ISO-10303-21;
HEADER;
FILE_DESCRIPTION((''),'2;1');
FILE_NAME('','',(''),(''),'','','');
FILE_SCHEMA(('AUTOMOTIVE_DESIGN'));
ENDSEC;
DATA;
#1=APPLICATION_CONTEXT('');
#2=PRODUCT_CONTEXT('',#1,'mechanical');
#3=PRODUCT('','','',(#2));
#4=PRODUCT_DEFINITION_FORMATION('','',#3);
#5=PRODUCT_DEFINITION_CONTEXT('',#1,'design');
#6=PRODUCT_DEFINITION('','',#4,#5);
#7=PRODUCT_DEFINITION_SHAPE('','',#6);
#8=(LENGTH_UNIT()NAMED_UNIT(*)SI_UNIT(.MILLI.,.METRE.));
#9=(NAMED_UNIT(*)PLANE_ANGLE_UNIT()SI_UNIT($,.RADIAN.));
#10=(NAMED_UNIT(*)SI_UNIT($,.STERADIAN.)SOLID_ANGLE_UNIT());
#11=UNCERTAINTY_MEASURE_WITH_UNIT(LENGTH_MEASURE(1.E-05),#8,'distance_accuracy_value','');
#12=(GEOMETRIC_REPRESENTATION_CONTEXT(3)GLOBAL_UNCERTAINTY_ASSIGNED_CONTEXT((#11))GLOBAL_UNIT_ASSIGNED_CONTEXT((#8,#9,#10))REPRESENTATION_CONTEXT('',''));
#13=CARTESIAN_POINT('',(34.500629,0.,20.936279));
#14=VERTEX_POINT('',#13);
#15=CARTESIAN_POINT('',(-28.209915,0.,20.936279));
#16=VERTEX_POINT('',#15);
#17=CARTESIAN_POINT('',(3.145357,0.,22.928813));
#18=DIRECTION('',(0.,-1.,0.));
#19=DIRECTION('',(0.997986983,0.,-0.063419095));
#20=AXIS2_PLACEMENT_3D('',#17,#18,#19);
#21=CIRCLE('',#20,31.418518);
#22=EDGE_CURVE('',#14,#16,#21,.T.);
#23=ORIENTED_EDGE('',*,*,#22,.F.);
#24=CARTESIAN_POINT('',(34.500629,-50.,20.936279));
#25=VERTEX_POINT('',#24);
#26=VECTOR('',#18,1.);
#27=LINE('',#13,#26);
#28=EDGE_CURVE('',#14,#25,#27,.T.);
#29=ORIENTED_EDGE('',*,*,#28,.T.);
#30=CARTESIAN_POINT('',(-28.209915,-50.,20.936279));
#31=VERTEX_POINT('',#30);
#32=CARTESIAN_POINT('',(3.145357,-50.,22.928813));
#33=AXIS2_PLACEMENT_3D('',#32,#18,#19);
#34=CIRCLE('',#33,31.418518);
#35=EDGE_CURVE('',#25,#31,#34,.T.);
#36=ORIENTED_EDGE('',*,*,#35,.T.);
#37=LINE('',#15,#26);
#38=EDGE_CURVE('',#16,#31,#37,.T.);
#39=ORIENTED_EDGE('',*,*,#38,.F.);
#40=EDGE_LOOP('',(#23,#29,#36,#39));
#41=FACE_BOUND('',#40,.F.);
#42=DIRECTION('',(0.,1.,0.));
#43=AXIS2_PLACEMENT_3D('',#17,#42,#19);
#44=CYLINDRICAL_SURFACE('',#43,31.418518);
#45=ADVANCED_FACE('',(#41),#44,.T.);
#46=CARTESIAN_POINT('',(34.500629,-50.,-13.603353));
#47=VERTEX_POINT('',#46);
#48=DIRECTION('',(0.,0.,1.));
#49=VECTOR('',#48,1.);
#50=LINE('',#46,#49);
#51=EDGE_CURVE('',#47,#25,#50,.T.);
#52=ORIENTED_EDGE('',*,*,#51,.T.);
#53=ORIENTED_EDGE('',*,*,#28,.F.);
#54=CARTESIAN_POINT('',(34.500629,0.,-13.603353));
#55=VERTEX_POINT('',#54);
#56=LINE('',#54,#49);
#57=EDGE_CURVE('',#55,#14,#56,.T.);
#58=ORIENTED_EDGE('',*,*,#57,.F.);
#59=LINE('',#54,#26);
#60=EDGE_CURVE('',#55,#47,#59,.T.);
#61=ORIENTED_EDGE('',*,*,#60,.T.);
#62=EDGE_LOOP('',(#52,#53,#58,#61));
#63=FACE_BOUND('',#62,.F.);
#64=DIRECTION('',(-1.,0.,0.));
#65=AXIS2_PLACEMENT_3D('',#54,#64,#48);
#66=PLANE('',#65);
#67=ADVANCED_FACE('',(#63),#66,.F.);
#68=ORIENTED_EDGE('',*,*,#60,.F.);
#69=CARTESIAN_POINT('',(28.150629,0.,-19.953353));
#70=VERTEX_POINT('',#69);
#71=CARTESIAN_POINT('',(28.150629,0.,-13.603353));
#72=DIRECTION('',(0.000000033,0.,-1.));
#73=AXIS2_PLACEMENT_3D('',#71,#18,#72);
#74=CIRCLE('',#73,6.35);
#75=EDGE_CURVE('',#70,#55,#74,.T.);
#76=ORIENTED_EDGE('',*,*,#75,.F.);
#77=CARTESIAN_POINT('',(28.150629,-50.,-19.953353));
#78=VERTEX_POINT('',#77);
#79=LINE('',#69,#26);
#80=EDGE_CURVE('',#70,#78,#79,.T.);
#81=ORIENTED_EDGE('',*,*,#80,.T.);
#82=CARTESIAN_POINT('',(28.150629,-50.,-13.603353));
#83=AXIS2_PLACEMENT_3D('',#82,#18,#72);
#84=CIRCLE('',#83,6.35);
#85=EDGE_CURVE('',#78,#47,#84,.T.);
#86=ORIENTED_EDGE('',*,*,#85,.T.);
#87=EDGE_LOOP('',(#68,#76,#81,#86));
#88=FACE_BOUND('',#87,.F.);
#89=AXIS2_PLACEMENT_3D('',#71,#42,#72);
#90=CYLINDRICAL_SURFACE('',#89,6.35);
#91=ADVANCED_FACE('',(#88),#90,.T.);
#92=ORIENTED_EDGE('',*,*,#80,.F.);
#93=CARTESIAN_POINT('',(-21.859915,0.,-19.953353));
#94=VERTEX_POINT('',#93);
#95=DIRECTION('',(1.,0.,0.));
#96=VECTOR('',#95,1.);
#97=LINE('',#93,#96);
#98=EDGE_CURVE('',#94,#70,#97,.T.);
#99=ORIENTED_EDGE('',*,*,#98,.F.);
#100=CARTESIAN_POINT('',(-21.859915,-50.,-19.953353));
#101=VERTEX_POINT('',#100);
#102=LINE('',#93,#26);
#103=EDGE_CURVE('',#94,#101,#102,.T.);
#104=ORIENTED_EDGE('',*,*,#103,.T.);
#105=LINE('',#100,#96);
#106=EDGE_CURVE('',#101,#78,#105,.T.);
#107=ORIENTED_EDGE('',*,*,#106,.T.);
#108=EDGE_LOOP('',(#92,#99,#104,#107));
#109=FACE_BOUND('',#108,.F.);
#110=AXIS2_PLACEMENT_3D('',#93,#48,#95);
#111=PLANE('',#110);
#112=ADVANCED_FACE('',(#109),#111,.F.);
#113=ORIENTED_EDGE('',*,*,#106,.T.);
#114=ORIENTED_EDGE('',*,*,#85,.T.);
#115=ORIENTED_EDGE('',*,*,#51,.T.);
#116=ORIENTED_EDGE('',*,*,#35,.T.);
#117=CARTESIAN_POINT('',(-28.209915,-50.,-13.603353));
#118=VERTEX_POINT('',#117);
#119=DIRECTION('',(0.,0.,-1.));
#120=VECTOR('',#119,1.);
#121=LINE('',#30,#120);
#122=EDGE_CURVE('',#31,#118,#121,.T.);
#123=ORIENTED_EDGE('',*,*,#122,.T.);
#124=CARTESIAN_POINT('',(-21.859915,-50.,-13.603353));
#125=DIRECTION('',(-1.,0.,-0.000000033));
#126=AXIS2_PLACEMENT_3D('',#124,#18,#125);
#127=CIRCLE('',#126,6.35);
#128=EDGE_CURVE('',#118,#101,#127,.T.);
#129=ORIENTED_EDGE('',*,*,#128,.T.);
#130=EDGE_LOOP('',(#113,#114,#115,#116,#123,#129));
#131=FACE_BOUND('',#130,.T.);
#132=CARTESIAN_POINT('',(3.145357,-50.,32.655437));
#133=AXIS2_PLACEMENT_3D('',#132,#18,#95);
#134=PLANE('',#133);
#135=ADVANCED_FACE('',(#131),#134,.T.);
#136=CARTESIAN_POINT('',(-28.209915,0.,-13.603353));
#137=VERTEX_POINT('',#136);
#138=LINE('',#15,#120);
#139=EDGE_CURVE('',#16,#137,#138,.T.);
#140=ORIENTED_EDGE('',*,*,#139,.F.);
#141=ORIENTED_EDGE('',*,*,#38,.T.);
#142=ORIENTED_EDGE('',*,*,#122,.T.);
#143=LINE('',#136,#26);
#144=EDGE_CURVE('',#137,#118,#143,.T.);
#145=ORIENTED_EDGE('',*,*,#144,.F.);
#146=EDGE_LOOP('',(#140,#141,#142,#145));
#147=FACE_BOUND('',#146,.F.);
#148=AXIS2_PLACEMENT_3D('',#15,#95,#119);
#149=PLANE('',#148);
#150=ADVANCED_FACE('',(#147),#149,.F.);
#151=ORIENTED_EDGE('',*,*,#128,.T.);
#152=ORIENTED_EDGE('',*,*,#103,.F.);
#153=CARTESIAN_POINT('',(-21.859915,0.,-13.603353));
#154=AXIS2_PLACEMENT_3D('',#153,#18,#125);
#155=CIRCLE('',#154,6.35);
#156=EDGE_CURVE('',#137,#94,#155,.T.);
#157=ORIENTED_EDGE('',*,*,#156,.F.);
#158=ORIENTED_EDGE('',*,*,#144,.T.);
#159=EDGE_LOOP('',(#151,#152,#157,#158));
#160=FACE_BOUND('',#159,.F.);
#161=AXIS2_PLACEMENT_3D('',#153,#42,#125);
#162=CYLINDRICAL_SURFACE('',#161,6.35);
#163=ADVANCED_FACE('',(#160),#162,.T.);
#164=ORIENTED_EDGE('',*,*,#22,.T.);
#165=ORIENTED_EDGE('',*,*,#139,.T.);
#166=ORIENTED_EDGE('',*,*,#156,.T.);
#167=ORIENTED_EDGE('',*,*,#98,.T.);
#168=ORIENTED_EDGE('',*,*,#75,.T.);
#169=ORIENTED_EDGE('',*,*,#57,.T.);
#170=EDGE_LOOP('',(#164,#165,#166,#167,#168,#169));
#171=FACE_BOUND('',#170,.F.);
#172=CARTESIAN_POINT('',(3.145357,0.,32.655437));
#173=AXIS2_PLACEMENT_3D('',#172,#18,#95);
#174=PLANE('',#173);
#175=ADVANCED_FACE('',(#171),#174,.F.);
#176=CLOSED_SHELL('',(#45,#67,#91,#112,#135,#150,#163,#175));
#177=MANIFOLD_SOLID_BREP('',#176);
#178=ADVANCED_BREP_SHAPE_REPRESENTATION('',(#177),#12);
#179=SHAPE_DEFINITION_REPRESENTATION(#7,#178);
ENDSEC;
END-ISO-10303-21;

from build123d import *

# Parameters (mm, degrees)
F1_DEPTH = 50


with BuildPart() as f1:
    # F0 (on Front) → F1 (new body)
    with BuildSketch(Plane.XZ):
        with BuildLine():
            ThreePointArc((34.500629, 20.936279), (3.145357, 54.347331), (-28.209915, 20.936279))
            Line((-28.209915, 20.936279), (34.500629, 20.936279))
        make_face()
        with BuildLine():
            Line((34.500629, 20.936279), (-28.209915, 20.936279))
            Line((-28.209915, 20.936279), (-28.209915, -13.603353))
            ThreePointArc((-28.209915, -13.603353), (-26.350043, -18.093481), (-21.859915, -19.953353))
            Line((-21.859915, -19.953353), (28.150629, -19.953353))
            ThreePointArc((28.150629, -19.953353), (32.640757, -18.093481), (34.500629, -13.603353))
            Line((34.500629, -13.603353), (34.500629, 20.936279))
        make_face()
    extrude(amount=F1_DEPTH)


solid = f1.part
